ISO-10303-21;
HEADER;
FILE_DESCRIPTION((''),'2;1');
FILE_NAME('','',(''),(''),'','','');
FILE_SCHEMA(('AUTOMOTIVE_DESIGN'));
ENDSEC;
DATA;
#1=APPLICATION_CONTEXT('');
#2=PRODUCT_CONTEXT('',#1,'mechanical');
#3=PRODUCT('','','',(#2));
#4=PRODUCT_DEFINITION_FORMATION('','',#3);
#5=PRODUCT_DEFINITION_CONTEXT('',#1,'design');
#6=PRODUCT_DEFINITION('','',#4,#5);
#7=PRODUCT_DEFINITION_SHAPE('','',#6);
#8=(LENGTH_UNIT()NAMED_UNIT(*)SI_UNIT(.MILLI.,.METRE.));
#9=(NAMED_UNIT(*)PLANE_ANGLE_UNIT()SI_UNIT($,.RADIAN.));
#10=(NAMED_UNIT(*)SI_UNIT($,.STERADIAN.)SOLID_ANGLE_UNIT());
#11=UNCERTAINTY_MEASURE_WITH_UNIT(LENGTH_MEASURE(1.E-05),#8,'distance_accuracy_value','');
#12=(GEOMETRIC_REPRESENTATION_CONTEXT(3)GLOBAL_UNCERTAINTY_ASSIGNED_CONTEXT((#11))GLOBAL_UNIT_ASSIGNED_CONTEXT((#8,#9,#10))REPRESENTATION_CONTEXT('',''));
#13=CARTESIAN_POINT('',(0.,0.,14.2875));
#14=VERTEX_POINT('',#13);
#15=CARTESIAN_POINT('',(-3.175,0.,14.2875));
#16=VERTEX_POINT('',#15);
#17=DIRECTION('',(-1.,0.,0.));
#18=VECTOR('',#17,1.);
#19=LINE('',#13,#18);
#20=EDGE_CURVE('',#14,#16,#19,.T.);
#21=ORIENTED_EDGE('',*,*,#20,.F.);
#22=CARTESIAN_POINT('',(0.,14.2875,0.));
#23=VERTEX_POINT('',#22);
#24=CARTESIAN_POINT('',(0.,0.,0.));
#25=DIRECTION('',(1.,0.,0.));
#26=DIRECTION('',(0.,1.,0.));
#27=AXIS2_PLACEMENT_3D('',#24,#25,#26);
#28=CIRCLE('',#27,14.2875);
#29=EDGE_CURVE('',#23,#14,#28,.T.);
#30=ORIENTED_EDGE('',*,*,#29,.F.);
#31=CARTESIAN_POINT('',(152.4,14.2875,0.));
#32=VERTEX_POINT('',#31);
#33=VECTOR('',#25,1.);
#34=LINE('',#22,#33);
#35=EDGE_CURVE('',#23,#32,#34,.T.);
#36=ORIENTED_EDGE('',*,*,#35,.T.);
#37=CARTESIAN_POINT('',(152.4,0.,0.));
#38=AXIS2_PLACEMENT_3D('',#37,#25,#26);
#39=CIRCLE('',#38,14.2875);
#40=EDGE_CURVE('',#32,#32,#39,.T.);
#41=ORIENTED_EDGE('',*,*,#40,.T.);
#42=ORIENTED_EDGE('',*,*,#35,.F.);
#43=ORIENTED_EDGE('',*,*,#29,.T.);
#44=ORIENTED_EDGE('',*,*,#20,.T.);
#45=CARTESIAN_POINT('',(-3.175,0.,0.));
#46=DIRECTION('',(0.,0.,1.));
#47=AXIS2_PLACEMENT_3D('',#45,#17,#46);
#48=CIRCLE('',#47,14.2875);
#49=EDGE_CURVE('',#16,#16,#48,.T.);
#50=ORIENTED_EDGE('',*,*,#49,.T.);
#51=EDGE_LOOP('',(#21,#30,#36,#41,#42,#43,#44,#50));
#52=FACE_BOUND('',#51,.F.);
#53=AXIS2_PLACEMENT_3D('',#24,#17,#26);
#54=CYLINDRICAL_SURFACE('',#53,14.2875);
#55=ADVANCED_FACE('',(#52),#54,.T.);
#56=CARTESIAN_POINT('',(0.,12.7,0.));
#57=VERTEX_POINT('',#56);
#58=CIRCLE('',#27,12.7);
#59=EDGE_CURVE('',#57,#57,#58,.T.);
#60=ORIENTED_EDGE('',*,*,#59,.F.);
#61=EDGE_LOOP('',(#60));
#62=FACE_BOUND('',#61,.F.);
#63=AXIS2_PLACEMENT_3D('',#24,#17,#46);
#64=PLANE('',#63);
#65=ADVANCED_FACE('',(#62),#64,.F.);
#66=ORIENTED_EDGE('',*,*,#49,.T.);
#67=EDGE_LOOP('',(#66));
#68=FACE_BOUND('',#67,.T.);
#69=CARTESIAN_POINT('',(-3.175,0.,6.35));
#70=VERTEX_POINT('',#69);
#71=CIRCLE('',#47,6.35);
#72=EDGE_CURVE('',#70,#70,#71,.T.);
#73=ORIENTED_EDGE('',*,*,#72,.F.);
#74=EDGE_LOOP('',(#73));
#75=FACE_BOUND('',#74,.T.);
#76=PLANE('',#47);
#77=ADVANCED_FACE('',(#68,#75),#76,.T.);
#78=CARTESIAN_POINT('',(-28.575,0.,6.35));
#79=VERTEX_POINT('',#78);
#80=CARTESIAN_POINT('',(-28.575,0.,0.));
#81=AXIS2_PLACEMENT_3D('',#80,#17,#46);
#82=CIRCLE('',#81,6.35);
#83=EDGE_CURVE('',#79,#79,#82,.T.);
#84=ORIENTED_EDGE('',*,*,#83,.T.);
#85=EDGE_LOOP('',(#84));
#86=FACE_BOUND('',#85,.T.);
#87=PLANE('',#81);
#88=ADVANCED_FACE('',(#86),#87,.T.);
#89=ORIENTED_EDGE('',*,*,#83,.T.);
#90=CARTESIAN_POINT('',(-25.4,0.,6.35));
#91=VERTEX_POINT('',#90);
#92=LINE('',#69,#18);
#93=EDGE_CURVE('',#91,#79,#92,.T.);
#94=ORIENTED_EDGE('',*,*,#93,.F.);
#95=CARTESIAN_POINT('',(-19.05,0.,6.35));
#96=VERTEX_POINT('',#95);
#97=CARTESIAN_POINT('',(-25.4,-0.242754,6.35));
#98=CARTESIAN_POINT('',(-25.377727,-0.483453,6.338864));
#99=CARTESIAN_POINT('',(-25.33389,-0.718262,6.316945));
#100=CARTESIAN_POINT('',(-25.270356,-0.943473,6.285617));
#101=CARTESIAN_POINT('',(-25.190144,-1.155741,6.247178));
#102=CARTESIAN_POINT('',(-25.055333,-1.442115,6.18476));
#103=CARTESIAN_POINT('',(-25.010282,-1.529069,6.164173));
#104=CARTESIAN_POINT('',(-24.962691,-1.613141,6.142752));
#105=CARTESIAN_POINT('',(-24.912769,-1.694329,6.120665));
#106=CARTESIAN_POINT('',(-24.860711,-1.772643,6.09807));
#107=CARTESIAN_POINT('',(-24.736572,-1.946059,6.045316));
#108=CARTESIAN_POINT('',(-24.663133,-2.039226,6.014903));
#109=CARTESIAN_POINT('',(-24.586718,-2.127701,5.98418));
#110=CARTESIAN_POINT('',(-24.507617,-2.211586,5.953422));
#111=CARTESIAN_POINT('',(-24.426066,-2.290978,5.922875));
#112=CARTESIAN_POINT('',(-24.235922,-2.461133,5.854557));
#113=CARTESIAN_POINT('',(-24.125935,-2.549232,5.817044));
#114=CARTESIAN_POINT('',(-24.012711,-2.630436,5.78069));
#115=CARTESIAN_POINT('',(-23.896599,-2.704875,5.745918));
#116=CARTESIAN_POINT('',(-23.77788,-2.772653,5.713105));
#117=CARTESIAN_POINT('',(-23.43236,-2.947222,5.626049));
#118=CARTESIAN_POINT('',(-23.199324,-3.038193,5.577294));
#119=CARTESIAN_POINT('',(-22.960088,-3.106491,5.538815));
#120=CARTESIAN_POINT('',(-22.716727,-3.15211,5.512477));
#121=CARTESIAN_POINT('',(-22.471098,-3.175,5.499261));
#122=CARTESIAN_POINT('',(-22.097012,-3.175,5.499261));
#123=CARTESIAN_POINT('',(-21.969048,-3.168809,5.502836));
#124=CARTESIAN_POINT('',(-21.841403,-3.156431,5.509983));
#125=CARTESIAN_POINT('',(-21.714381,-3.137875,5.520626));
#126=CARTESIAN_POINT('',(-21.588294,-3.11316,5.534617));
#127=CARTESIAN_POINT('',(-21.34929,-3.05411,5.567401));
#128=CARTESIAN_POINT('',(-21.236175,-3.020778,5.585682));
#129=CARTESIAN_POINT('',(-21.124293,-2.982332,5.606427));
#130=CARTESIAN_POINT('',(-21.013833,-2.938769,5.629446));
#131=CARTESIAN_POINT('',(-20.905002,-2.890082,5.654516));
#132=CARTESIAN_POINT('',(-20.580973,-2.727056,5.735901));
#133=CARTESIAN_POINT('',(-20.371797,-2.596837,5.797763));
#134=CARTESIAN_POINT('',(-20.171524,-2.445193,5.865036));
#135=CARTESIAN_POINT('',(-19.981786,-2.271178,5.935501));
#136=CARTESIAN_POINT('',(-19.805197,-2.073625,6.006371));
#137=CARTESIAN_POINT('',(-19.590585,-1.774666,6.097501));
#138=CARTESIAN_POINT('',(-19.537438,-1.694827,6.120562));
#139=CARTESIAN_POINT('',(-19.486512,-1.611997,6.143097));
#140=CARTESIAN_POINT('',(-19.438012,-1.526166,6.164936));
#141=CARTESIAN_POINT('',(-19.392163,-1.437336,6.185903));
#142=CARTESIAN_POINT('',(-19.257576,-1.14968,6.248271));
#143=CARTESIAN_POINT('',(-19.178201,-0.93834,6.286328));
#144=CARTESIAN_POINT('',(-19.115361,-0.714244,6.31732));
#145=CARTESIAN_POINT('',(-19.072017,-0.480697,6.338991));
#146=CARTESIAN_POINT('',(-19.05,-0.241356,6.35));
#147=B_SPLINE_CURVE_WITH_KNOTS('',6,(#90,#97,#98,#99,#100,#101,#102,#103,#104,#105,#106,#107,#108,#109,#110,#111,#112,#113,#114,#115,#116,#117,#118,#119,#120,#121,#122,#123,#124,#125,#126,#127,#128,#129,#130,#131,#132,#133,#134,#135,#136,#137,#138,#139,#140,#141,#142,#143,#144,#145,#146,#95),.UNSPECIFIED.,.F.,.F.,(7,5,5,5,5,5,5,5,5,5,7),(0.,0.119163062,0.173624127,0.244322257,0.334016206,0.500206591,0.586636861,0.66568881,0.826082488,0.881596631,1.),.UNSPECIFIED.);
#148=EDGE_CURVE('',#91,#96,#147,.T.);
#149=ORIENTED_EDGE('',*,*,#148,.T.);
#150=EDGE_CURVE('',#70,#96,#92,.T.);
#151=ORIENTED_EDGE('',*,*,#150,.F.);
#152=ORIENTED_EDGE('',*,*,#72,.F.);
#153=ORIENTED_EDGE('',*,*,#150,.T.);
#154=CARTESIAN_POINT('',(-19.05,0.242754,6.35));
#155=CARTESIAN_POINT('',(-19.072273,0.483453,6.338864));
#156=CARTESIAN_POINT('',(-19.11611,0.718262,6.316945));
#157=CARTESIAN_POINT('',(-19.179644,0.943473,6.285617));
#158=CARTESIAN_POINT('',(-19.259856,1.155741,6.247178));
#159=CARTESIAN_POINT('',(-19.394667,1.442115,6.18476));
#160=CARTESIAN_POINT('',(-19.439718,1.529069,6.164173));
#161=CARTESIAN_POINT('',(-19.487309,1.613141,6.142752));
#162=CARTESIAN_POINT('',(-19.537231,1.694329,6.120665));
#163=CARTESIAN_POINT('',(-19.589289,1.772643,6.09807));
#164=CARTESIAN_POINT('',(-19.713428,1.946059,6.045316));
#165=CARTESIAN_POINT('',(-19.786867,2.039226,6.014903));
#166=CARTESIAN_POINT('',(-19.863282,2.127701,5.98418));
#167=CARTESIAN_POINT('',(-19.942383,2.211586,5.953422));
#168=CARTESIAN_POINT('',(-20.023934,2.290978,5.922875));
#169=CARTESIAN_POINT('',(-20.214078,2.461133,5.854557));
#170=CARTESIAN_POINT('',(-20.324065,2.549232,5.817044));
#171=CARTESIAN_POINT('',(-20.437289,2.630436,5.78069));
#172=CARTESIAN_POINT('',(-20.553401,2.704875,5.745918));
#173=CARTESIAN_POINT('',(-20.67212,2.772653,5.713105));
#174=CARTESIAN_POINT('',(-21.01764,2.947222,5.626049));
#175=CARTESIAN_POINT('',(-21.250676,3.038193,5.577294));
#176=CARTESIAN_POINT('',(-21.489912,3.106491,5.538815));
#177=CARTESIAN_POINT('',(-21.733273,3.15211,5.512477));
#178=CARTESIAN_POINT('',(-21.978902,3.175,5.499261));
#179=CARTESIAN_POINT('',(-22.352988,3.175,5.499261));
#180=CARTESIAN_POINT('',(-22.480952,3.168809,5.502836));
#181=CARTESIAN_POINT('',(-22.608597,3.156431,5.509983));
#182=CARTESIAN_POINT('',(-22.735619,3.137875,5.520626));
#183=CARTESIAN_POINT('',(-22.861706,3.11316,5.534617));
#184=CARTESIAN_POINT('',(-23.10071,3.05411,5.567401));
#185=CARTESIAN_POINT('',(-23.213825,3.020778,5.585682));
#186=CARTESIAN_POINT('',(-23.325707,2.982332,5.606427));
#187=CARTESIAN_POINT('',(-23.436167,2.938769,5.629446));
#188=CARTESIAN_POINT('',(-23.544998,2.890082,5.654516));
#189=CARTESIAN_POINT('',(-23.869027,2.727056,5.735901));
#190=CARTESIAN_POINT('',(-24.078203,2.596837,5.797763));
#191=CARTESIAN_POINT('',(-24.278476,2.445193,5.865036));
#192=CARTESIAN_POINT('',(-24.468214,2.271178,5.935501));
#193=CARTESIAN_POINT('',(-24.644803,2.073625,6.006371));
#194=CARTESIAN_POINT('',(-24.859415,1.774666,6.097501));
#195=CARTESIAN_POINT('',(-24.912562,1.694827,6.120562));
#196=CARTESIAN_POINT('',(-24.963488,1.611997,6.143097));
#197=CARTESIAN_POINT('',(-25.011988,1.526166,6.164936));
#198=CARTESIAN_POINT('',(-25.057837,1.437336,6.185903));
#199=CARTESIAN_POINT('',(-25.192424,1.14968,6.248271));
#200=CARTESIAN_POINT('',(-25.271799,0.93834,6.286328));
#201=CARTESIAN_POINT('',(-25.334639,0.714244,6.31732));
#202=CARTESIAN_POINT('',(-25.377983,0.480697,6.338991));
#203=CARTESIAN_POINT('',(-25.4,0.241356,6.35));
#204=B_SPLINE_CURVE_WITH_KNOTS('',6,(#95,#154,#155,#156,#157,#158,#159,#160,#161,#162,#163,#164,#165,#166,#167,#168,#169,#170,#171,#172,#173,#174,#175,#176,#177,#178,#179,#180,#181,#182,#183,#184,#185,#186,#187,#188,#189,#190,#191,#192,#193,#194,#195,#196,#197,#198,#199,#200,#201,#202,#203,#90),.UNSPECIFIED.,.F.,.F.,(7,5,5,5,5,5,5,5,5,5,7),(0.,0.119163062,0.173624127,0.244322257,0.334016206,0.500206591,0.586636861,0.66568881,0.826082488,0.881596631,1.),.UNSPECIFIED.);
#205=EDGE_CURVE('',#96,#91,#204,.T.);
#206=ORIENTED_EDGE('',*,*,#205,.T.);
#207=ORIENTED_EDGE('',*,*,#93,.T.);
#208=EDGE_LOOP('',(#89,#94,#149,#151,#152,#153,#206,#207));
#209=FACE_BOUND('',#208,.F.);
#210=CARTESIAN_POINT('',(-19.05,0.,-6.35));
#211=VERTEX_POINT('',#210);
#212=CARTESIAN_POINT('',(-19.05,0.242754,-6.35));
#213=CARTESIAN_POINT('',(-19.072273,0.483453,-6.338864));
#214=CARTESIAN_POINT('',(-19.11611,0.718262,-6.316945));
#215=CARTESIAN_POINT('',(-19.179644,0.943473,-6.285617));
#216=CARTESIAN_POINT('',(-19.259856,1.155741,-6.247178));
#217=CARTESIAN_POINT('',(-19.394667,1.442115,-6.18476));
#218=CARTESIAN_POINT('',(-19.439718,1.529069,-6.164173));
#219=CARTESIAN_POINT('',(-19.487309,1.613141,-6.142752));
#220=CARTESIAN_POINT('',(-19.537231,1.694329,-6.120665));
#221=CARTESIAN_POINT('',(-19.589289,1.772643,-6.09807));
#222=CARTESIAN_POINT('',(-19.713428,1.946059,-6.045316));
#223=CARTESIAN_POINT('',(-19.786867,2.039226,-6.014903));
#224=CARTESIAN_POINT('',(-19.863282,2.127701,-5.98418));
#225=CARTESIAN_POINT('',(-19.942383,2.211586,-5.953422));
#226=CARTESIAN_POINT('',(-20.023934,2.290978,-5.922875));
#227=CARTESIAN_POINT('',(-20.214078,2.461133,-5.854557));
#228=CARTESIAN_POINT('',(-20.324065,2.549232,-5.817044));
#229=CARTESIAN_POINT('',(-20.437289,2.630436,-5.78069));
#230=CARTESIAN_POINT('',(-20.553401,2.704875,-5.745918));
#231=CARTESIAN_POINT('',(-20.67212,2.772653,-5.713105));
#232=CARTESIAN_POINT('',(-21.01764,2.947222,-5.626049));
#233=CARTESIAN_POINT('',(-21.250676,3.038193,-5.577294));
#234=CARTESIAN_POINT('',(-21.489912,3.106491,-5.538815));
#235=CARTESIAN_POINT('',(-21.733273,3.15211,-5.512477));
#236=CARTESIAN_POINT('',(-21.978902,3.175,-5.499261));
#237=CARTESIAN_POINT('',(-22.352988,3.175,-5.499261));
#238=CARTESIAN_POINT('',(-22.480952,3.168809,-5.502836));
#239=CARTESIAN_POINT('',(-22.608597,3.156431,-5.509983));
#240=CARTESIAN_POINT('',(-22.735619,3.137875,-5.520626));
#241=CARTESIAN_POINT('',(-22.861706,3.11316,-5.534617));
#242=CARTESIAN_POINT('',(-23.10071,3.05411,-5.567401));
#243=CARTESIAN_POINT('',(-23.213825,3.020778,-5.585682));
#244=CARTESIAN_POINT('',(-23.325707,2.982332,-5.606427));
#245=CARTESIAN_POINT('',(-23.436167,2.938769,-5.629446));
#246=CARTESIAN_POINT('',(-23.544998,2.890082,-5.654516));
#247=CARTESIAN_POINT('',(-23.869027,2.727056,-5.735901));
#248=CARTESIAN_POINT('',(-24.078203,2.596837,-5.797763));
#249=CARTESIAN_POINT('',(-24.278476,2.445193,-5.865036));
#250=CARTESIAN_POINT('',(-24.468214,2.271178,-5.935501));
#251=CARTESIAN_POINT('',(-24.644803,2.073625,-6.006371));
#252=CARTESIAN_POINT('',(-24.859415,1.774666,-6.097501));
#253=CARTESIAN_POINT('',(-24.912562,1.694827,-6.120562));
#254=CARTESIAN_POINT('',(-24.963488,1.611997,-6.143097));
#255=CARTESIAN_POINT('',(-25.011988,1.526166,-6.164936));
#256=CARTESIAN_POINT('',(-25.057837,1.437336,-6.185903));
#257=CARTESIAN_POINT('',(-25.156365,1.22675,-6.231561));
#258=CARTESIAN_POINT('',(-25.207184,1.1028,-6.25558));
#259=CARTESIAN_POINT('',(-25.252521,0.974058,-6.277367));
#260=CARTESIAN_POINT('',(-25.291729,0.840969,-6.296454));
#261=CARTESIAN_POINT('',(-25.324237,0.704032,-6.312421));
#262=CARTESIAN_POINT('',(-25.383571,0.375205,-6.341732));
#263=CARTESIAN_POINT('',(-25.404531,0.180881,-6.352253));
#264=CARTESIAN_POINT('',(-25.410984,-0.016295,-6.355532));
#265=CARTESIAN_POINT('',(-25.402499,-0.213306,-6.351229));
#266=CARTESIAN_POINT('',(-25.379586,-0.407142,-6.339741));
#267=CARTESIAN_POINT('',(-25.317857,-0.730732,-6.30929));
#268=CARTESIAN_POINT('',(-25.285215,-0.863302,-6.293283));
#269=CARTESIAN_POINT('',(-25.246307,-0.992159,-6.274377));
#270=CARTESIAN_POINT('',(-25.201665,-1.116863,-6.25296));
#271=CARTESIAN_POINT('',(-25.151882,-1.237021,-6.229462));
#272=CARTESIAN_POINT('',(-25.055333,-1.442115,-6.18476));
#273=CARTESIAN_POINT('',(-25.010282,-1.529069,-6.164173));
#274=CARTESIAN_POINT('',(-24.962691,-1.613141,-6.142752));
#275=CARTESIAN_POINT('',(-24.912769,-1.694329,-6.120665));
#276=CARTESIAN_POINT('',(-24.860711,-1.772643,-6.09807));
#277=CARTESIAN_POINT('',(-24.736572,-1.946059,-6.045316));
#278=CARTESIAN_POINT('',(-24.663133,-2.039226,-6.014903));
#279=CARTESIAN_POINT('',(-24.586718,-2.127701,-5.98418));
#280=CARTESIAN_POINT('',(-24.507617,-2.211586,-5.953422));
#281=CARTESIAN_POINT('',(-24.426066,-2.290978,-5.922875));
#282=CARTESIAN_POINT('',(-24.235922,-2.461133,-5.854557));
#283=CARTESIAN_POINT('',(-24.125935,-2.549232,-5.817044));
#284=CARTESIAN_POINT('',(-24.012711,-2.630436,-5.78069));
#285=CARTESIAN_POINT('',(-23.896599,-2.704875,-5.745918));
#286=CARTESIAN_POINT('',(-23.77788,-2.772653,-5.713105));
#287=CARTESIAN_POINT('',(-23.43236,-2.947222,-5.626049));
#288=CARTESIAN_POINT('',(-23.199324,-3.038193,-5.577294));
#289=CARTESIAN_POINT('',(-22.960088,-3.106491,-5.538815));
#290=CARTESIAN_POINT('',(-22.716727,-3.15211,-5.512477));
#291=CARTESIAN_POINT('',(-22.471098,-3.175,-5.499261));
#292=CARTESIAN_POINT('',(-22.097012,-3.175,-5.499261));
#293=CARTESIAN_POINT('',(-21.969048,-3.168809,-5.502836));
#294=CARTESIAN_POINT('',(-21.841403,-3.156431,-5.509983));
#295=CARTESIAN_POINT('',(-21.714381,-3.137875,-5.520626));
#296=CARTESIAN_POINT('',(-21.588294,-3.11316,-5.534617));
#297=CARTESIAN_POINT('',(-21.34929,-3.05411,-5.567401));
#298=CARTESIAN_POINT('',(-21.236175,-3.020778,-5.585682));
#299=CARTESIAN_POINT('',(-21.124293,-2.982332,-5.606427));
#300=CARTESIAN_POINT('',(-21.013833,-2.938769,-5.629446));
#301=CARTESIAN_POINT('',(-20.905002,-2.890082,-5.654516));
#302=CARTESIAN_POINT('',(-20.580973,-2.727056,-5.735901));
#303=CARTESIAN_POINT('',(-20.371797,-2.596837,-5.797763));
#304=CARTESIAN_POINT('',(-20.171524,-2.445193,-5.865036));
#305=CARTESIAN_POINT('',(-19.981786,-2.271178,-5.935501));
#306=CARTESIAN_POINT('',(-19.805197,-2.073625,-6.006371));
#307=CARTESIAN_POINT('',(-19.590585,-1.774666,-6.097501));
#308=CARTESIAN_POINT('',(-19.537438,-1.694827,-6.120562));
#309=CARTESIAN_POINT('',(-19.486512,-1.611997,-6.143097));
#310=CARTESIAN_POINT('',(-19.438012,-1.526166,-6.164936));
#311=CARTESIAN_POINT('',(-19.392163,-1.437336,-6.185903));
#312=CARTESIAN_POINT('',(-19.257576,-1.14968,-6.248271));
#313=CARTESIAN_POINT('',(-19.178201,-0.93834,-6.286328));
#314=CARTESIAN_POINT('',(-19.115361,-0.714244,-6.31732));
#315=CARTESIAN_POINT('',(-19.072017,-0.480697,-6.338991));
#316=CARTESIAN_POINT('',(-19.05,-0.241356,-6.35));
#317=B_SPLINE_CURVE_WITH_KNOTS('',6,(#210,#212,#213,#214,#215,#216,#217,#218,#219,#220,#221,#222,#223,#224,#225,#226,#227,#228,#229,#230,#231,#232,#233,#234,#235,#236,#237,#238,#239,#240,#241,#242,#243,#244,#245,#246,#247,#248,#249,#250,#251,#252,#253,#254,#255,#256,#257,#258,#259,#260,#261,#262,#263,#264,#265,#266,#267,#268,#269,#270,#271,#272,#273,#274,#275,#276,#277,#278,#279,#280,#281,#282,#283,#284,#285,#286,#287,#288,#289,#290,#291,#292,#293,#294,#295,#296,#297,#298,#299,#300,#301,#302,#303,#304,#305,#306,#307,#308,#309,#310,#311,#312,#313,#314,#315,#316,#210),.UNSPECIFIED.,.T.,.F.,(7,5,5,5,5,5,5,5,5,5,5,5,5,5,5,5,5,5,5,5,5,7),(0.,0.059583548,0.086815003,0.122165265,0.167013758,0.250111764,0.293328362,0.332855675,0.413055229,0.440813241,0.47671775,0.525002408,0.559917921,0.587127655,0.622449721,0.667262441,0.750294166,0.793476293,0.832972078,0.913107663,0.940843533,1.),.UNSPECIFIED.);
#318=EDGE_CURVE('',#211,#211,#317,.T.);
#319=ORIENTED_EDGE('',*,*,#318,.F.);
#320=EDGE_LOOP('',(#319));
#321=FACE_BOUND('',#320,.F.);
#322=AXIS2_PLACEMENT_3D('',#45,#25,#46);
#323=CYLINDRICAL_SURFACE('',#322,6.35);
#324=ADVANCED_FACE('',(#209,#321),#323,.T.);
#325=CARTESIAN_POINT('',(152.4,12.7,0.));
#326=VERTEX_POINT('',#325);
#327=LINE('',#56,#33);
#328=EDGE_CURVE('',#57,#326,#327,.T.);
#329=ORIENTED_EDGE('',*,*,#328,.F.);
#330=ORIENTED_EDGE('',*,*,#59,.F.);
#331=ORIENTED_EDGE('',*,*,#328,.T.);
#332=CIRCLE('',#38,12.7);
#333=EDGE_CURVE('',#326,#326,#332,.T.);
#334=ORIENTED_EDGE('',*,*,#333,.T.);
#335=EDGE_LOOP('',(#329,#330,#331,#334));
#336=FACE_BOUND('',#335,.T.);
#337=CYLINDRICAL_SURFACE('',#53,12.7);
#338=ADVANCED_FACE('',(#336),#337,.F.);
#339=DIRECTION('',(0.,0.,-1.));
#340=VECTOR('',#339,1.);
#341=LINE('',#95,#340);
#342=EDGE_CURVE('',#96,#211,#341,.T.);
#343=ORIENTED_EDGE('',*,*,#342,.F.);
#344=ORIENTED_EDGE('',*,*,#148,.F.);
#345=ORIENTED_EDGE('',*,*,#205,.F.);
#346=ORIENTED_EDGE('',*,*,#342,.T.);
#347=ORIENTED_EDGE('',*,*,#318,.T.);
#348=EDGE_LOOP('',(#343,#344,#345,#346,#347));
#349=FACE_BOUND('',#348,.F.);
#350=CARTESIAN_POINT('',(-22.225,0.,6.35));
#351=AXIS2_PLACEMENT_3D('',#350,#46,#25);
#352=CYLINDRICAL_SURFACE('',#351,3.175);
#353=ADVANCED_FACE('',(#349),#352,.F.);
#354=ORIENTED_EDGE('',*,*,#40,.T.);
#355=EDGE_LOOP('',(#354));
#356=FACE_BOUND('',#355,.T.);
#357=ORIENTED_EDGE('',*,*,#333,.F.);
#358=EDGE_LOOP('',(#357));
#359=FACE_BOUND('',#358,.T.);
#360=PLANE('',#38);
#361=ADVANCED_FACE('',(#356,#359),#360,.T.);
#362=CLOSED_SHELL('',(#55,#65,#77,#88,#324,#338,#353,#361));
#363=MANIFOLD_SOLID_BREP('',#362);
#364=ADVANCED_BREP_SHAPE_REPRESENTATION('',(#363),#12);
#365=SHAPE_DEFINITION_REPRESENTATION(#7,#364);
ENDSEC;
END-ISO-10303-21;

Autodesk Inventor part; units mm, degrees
ref_plane "YZ Plane" through (0, 0, 0) normal (1, 0, 0) x (0, 1, 0)
ref_plane "XZ Plane" through (0, 0, 0) normal (0, 1, 0) x (-1, 0, 0)
sketch "Sketch1" plane through (0, 0, 0) normal (1, 0, 0) x (0, 1, 0)
  circle A0 centre (0, 0) radius 14.2875
  circle A1 centre (0, 0) radius 12.7
  dimension "d0" = 28.575
  dimension "d1" = 25.4
extrude "Extrusion1" add sketch "Sketch1" along normal blind 152.4
sketch "Sketch2" plane through (0, 0, 0) normal (-1, 0, 0) x (0, 0, 1)
  circle A0 centre (0, 0) radius 14.2875 projected
extrude "Extrusion2" add sketch "Sketch2" along normal blind 3.175
sketch "Sketch3" plane through (-3.175, 0, 0) normal (-1, 0, 0) x (0, 0, 1)
  circle A0 centre (0, 0) radius 6.35
  dimension "d6" = 12.7
extrude "Extrusion3" add sketch "Sketch3" along normal blind 25.4
sketch "Sketch4" plane through (-28.575, 0, 0) normal (-1, 0, 0) x (0, 0, 1)
  circle A0 centre (0, 0) radius 6.35 projected
  circle A1 centre (0, 0) radius 6.35 projected
  point P0 (6.35, 0)
  point P1 (-6.35, 0)
ref_plane "Work Plane3" through (-28.575, 0, 0) normal (0, 0, -1) x (-1, 0, 0)
ref_plane "Work Plane1" through (-28.575, 0, 6.35) normal (0, 0, 1) x (1, 0, 0)
ref_plane "Work Plane2" through (-28.575, 0, -6.35) normal (0, 0, -1) x (-1, 0, 0)
sketch "Sketch5" plane through (-28.575, 0, 6.35) normal (0, 0, 1) x (1, 0, 0)
  circle A0 centre (6.35, 0) radius 3.175
  line L0 (0, 6.35) -> (0, -6.35) projected
  point P0 (28.575, 0)
  dimension "d9" = 6.35
  dimension "d10" = 6.35
extrude "Extrusion4" cut sketch "Sketch5" against normal blind 25.4
properties part number "Intake Basic Piston - Outer"
